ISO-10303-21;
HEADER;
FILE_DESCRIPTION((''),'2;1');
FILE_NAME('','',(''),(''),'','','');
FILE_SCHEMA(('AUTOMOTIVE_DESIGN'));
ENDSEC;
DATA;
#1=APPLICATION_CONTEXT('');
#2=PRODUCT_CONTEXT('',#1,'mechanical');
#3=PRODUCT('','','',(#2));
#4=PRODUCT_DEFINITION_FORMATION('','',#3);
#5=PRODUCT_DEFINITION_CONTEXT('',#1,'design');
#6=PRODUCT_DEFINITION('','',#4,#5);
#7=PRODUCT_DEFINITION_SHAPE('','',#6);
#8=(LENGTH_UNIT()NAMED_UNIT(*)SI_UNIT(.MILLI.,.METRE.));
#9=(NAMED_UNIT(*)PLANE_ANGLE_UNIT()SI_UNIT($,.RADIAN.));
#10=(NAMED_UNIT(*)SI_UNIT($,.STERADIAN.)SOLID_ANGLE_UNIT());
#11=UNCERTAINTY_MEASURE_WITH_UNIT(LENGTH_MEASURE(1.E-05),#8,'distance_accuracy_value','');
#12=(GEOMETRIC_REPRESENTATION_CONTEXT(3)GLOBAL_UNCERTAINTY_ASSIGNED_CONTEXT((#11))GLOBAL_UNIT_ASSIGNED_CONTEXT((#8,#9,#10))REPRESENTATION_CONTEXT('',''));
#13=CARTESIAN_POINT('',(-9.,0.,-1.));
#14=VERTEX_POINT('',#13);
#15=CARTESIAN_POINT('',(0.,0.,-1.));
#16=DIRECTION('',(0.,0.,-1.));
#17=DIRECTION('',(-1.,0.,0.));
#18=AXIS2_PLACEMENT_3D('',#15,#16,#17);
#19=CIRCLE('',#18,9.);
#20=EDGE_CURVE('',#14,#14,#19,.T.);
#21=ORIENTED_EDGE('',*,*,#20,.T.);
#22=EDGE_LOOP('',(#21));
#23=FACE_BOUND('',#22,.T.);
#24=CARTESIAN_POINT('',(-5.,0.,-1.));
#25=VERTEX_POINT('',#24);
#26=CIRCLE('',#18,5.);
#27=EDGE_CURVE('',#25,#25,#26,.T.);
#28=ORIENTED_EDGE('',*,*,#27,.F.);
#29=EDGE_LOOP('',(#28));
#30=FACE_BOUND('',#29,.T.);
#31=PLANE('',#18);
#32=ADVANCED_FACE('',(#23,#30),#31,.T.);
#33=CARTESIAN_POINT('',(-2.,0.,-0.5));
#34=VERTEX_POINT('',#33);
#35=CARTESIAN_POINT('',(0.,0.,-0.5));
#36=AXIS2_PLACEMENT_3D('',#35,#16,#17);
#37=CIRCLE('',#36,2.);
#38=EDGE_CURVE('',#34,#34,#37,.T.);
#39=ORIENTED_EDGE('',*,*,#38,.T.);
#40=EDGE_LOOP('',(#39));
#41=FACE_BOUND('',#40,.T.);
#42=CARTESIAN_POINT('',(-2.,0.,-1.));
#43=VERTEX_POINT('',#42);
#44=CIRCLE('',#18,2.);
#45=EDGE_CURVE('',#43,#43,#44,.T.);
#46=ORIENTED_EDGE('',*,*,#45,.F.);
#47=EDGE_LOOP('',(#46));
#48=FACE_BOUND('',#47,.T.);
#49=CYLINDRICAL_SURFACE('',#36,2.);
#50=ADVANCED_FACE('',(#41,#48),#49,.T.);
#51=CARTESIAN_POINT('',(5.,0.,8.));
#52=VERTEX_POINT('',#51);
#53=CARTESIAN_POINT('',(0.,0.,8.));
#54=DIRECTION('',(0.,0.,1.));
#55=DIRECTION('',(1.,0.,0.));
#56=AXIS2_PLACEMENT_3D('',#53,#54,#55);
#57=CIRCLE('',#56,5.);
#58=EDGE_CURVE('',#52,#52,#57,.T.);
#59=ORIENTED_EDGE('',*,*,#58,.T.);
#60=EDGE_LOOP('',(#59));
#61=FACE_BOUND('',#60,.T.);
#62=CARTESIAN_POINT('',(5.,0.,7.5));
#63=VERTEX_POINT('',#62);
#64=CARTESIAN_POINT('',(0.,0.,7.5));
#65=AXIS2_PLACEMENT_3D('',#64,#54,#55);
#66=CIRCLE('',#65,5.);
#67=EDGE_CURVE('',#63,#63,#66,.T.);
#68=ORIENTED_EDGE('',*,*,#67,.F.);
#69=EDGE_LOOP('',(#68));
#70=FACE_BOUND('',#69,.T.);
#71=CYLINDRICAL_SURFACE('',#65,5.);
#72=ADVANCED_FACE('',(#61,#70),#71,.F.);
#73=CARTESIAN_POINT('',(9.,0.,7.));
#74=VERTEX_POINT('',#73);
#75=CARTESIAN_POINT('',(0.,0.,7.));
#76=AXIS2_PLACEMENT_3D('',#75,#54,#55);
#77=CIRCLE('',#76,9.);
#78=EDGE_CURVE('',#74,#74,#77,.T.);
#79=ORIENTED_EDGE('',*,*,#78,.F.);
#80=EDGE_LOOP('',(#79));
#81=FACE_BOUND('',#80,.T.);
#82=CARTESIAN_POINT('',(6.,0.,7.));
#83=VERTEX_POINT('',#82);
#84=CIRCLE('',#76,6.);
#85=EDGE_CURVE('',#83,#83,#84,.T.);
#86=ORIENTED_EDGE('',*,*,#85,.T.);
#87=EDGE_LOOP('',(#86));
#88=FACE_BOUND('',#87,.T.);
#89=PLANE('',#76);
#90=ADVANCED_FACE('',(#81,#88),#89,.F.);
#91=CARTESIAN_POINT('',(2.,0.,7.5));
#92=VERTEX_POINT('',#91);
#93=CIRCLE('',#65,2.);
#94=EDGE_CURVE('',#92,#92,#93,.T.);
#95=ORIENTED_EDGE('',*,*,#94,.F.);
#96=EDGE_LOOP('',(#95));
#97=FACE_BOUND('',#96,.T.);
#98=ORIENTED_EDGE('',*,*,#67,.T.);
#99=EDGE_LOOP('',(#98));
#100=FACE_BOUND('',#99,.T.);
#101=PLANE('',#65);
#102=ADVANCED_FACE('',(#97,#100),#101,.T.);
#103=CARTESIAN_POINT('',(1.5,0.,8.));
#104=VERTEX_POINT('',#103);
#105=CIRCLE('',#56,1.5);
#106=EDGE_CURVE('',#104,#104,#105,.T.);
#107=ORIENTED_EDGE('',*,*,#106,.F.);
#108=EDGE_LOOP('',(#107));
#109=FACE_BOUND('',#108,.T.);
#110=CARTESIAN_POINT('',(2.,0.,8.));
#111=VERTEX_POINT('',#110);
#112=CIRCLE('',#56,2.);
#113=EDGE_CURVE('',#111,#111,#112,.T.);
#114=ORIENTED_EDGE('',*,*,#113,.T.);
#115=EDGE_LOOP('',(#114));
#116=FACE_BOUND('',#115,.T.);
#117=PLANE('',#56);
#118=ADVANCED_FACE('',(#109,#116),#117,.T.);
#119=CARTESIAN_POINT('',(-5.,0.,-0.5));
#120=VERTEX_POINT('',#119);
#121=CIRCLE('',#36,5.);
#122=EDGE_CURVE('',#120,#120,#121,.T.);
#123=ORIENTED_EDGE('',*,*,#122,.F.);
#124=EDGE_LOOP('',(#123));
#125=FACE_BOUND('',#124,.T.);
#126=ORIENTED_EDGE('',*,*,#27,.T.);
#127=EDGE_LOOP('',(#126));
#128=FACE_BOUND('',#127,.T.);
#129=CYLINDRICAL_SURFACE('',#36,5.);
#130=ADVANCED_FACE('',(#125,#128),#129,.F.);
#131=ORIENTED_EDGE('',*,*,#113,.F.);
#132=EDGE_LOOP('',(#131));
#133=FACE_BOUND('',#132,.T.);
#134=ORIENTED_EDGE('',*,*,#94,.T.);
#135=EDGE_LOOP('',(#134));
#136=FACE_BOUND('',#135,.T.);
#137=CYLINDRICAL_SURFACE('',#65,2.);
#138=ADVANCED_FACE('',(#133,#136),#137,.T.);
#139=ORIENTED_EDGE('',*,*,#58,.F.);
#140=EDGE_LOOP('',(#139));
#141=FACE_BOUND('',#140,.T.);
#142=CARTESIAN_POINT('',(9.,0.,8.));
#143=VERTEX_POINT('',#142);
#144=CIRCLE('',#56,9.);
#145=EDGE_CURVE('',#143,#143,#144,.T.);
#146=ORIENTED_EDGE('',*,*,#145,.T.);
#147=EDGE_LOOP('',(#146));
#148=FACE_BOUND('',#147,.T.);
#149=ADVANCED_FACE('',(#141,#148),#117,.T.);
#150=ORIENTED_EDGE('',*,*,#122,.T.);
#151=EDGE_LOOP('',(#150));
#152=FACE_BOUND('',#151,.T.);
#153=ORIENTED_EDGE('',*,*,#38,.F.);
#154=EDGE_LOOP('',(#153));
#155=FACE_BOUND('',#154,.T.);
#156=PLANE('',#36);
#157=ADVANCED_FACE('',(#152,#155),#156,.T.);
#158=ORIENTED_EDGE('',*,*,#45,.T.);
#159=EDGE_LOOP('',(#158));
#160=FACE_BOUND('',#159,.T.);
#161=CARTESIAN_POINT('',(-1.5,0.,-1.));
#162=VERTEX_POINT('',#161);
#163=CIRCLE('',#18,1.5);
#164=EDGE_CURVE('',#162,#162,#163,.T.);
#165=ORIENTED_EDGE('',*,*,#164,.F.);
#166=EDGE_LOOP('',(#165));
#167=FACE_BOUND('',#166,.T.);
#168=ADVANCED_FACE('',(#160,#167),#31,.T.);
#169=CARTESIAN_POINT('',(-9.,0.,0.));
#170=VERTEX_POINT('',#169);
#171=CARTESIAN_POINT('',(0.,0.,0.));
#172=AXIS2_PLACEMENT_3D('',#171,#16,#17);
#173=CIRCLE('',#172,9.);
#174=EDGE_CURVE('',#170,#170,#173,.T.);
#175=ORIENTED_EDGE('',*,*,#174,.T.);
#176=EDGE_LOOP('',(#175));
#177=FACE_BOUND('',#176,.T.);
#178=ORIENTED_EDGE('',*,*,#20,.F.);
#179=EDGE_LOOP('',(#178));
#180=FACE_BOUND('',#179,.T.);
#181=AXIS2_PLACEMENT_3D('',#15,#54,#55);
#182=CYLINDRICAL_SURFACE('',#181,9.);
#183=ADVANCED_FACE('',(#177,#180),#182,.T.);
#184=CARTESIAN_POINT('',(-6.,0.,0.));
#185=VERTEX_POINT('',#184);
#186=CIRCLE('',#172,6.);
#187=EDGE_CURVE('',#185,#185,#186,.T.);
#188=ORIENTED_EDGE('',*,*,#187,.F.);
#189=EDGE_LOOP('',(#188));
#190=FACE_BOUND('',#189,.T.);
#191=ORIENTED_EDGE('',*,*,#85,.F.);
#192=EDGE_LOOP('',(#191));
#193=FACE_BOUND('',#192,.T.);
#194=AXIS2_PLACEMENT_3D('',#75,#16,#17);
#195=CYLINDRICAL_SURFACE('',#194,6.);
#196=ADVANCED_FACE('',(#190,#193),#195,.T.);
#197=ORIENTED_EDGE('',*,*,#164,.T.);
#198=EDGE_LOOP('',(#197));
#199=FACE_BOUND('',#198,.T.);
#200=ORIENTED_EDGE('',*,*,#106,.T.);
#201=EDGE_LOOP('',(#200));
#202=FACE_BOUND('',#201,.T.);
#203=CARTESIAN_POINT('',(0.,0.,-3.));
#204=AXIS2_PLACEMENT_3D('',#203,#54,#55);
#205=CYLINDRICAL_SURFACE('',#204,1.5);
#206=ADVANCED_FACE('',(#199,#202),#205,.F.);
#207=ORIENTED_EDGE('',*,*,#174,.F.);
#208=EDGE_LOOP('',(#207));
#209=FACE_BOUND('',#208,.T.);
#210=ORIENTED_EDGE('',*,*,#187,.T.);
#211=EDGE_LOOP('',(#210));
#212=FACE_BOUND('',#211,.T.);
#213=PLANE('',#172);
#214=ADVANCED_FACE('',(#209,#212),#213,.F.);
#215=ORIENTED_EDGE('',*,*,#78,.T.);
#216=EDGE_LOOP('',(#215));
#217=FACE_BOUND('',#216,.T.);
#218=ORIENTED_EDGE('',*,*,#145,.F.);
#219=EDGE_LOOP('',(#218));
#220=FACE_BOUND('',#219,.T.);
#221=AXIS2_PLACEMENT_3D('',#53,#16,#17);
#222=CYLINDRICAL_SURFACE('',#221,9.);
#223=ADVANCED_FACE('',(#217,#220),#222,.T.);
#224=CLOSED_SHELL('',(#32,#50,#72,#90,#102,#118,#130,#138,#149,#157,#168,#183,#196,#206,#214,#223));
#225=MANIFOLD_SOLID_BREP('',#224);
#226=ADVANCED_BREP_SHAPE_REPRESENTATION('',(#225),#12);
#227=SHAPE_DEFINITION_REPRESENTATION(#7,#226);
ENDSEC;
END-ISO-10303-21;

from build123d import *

# Parameters (mm, degrees)
SKETCH_1_R          = 6
EXTRUDE_1_DEPTH     = 7
SKETCH_2_R          = 9
EXTRUDE_2_DEPTH     = 1
SKETCH_3_R          = 9
EXTRUDE_3_DEPTH     = 1
SKETCH_4_R          = 1.5
CUT_EXTRUDE_2_DEPTH = 11
SKETCH_5_R          = 5
SKETCH_5_R_2        = 2
CUT_EXTRUDE_3_DEPTH = 0.5
SKETCH_6_R          = 5
SKETCH_6_R_2        = 2
CUT_EXTRUDE_4_DEPTH = 0.5


with BuildPart() as part:
    # 草图1 → 凸台-拉伸1 (new body)
    with BuildSketch(Plane.XY):
        Circle(SKETCH_1_R)
    extrude(amount=EXTRUDE_1_DEPTH)

    # 草图2 → 凸台-拉伸2 (add)
    with BuildSketch(Plane.XY.offset(7)):
        Circle(SKETCH_2_R)
    extrude(amount=EXTRUDE_2_DEPTH)

    # 草图3 → 凸台-拉伸3 (add)
    with BuildSketch(Plane(origin=(0, 0, 0), x_dir=(-1, 0, 0), z_dir=(0, 0, -1))):
        Circle(SKETCH_3_R)
    extrude(amount=EXTRUDE_3_DEPTH)

    # 草图4 → 切除-拉伸2 (cut)
    with BuildSketch(Plane.XY.offset(8)):
        Circle(SKETCH_4_R)
    extrude(amount=-CUT_EXTRUDE_2_DEPTH, mode=Mode.SUBTRACT)

    # 草图5 → 切除-拉伸3 (cut)
    with BuildSketch(Plane(origin=(0, 0, -1), x_dir=(-1, 0, 0), z_dir=(0, 0, -1))):
        Circle(SKETCH_5_R)
        Circle(SKETCH_5_R_2, mode=Mode.SUBTRACT)
    extrude(amount=-CUT_EXTRUDE_3_DEPTH, mode=Mode.SUBTRACT)

    # 草图6 → 切除-拉伸4 (cut)
    with BuildSketch(Plane.XY.offset(8)):
        Circle(SKETCH_6_R)
        Circle(SKETCH_6_R_2, mode=Mode.SUBTRACT)
    extrude(amount=-CUT_EXTRUDE_4_DEPTH, mode=Mode.SUBTRACT)


solid = part.part
